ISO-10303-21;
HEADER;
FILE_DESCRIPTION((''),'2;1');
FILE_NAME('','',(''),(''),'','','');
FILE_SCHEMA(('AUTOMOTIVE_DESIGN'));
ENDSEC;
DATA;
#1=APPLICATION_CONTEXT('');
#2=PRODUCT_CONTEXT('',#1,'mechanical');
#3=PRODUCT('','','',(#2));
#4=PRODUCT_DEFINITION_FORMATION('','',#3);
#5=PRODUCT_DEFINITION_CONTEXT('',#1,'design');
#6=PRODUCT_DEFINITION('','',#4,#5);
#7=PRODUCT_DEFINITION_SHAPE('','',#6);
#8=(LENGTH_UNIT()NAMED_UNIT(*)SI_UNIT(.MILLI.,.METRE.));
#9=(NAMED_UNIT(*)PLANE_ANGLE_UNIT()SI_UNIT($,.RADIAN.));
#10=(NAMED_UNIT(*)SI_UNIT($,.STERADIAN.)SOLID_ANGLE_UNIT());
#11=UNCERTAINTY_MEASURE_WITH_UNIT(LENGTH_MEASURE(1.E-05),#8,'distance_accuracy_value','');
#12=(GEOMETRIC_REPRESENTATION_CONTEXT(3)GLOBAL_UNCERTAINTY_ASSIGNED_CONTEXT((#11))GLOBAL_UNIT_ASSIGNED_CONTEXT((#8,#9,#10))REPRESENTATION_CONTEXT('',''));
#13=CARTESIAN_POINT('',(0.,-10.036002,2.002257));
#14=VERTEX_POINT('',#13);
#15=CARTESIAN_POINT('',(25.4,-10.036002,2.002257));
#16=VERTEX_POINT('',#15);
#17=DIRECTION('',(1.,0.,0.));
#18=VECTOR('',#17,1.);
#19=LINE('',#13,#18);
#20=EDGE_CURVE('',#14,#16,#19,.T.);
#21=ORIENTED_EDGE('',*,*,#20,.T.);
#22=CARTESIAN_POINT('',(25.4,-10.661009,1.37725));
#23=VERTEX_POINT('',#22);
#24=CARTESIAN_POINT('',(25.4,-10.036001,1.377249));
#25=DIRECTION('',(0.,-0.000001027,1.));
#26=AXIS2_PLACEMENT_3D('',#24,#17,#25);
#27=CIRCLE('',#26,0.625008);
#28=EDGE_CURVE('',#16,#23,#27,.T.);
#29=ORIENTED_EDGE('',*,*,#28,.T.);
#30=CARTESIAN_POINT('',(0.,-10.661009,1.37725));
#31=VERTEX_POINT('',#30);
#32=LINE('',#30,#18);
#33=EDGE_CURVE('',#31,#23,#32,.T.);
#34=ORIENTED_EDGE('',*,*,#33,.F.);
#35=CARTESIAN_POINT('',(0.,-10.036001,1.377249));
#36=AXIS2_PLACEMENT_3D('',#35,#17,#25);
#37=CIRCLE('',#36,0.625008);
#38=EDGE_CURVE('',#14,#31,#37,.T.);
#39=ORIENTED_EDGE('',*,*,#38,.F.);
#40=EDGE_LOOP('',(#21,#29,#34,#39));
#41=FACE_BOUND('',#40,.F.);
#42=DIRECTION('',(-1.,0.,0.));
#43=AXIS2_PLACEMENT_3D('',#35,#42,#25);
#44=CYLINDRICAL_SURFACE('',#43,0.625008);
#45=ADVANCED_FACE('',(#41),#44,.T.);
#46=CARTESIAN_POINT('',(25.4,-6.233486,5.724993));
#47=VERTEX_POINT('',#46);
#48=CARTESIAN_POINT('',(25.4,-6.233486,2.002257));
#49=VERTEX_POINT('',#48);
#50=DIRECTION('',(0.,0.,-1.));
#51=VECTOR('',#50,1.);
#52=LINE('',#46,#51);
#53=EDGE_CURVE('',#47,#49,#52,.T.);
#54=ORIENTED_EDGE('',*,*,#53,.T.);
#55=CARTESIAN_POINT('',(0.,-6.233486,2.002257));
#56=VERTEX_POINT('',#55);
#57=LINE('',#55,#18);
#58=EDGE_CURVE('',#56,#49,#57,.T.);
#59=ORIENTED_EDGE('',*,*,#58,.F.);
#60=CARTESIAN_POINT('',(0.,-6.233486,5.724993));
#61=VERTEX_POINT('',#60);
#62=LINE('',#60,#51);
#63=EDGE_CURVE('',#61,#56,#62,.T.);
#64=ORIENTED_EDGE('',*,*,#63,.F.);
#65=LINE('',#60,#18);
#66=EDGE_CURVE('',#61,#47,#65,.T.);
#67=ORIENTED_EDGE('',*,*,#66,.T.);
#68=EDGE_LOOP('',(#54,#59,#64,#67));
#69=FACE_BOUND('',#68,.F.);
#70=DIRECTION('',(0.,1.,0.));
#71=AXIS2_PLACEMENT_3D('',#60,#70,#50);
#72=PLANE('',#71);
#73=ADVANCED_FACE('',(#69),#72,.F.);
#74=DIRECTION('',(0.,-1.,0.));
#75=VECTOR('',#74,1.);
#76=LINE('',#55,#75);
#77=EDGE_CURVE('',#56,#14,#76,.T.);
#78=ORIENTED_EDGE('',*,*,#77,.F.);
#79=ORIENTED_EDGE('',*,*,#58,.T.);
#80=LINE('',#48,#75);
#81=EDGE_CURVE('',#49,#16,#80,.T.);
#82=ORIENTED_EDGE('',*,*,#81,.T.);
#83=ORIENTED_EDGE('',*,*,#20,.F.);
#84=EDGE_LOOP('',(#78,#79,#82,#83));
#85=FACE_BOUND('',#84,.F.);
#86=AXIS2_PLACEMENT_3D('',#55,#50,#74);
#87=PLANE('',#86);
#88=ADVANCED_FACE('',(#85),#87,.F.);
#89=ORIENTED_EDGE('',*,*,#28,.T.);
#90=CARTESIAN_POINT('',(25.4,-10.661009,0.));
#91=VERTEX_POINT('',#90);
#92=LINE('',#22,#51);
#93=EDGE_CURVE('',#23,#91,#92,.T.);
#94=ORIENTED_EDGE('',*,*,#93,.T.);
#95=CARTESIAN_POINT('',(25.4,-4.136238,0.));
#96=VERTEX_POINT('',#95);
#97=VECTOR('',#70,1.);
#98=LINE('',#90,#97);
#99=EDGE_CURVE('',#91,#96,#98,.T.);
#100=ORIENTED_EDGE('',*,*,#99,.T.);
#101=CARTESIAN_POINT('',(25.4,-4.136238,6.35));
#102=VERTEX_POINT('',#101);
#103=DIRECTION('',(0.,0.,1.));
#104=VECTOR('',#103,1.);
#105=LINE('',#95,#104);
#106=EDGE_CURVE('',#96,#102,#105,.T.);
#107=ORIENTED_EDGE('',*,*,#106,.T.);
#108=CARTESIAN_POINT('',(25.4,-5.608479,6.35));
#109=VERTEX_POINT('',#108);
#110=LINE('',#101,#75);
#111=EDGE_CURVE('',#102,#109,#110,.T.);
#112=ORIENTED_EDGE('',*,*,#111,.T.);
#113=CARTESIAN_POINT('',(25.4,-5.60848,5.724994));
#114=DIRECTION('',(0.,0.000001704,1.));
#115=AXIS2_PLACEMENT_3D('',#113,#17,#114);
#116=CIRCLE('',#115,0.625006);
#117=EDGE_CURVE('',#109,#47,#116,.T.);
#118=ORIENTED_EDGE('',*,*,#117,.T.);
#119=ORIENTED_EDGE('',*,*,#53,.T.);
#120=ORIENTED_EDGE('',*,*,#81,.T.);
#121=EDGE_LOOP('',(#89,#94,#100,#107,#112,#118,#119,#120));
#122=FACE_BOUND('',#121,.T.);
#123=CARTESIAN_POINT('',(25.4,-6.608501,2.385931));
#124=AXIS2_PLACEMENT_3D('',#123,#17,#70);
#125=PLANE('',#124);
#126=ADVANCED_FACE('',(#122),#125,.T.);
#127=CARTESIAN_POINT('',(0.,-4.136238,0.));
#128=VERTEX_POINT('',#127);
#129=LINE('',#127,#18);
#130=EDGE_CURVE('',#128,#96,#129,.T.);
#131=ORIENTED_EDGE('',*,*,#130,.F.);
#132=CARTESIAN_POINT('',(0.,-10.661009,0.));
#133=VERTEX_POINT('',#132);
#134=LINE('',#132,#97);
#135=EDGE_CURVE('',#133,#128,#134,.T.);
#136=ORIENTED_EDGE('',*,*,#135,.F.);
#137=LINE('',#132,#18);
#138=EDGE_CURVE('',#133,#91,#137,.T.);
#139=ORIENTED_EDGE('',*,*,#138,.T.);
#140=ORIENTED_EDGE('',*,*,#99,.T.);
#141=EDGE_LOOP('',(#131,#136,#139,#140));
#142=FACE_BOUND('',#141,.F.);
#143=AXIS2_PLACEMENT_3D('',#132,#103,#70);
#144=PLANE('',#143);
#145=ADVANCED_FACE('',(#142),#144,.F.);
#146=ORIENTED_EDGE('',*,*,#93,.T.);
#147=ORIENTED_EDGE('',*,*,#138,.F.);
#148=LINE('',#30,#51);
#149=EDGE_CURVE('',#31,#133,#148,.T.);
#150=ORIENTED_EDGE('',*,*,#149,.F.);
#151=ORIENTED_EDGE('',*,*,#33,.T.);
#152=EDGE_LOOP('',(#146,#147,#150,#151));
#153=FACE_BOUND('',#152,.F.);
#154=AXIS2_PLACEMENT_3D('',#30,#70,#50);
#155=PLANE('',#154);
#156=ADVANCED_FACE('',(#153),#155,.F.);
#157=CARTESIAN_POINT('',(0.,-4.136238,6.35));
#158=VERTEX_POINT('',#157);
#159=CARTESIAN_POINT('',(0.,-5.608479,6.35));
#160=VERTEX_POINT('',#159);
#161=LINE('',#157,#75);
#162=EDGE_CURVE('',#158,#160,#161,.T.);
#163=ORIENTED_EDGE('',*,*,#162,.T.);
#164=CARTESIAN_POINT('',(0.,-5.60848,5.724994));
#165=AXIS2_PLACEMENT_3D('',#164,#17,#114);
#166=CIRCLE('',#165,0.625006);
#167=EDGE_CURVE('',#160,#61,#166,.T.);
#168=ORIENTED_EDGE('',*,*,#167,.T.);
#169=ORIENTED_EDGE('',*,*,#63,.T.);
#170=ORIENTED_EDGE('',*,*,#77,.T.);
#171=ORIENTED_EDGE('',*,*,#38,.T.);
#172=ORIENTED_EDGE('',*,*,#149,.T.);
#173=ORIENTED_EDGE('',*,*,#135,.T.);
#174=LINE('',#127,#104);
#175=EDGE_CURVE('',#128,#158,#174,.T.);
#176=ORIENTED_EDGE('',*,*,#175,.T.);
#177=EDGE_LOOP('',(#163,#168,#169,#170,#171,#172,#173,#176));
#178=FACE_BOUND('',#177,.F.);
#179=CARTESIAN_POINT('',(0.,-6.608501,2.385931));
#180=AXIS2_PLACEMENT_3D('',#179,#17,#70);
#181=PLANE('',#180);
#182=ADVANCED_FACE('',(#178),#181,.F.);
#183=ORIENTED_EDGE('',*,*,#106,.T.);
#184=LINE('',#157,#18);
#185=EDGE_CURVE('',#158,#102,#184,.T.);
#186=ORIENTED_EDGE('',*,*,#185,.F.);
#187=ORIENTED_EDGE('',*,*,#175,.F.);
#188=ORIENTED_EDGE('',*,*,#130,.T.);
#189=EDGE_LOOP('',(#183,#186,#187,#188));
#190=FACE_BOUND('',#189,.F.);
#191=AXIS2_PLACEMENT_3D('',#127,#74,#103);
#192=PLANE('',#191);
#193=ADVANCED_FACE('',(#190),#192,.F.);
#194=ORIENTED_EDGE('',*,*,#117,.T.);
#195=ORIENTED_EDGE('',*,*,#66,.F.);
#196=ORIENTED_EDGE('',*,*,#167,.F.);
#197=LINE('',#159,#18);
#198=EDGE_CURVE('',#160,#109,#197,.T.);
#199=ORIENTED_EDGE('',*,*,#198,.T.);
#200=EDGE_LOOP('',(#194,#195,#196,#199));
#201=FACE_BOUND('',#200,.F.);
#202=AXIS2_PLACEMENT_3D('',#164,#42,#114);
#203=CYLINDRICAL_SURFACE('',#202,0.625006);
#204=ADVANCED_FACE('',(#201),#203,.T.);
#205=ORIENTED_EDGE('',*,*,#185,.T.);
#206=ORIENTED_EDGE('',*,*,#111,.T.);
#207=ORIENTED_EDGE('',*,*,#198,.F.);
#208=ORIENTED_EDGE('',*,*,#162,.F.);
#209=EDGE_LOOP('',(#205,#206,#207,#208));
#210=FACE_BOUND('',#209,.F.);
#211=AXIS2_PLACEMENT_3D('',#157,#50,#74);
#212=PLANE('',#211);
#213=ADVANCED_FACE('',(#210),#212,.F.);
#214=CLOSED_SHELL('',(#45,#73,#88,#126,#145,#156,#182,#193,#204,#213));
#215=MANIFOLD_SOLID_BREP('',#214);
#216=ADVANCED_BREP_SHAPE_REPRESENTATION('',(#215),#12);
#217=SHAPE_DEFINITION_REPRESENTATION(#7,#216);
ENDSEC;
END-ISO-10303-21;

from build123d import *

# Parameters (mm, degrees)
F1_DEPTH = 25.4


with BuildPart() as f1:
    # F0 (on Right) → F1 (new body)
    with BuildSketch(Plane.YZ):
        with BuildLine():
            Line((-10.661009, 1.37725), (-10.661009, 0))
            Line((-10.661009, 0), (-4.136238, 0))
            Line((-4.136238, 0), (-4.136238, 6.35))
            Line((-4.136238, 6.35), (-5.608479, 6.35))
            ThreePointArc((-5.608479, 6.35), (-6.050426, 6.16694), (-6.233486, 5.724993))
            Line((-6.233486, 5.724993), (-6.233486, 2.002257))
            Line((-6.233486, 2.002257), (-10.036002, 2.002257))
            ThreePointArc((-10.036002, 2.002257), (-10.477949, 1.819196), (-10.661009, 1.37725))
        make_face()
    extrude(amount=F1_DEPTH)


solid = f1.part
